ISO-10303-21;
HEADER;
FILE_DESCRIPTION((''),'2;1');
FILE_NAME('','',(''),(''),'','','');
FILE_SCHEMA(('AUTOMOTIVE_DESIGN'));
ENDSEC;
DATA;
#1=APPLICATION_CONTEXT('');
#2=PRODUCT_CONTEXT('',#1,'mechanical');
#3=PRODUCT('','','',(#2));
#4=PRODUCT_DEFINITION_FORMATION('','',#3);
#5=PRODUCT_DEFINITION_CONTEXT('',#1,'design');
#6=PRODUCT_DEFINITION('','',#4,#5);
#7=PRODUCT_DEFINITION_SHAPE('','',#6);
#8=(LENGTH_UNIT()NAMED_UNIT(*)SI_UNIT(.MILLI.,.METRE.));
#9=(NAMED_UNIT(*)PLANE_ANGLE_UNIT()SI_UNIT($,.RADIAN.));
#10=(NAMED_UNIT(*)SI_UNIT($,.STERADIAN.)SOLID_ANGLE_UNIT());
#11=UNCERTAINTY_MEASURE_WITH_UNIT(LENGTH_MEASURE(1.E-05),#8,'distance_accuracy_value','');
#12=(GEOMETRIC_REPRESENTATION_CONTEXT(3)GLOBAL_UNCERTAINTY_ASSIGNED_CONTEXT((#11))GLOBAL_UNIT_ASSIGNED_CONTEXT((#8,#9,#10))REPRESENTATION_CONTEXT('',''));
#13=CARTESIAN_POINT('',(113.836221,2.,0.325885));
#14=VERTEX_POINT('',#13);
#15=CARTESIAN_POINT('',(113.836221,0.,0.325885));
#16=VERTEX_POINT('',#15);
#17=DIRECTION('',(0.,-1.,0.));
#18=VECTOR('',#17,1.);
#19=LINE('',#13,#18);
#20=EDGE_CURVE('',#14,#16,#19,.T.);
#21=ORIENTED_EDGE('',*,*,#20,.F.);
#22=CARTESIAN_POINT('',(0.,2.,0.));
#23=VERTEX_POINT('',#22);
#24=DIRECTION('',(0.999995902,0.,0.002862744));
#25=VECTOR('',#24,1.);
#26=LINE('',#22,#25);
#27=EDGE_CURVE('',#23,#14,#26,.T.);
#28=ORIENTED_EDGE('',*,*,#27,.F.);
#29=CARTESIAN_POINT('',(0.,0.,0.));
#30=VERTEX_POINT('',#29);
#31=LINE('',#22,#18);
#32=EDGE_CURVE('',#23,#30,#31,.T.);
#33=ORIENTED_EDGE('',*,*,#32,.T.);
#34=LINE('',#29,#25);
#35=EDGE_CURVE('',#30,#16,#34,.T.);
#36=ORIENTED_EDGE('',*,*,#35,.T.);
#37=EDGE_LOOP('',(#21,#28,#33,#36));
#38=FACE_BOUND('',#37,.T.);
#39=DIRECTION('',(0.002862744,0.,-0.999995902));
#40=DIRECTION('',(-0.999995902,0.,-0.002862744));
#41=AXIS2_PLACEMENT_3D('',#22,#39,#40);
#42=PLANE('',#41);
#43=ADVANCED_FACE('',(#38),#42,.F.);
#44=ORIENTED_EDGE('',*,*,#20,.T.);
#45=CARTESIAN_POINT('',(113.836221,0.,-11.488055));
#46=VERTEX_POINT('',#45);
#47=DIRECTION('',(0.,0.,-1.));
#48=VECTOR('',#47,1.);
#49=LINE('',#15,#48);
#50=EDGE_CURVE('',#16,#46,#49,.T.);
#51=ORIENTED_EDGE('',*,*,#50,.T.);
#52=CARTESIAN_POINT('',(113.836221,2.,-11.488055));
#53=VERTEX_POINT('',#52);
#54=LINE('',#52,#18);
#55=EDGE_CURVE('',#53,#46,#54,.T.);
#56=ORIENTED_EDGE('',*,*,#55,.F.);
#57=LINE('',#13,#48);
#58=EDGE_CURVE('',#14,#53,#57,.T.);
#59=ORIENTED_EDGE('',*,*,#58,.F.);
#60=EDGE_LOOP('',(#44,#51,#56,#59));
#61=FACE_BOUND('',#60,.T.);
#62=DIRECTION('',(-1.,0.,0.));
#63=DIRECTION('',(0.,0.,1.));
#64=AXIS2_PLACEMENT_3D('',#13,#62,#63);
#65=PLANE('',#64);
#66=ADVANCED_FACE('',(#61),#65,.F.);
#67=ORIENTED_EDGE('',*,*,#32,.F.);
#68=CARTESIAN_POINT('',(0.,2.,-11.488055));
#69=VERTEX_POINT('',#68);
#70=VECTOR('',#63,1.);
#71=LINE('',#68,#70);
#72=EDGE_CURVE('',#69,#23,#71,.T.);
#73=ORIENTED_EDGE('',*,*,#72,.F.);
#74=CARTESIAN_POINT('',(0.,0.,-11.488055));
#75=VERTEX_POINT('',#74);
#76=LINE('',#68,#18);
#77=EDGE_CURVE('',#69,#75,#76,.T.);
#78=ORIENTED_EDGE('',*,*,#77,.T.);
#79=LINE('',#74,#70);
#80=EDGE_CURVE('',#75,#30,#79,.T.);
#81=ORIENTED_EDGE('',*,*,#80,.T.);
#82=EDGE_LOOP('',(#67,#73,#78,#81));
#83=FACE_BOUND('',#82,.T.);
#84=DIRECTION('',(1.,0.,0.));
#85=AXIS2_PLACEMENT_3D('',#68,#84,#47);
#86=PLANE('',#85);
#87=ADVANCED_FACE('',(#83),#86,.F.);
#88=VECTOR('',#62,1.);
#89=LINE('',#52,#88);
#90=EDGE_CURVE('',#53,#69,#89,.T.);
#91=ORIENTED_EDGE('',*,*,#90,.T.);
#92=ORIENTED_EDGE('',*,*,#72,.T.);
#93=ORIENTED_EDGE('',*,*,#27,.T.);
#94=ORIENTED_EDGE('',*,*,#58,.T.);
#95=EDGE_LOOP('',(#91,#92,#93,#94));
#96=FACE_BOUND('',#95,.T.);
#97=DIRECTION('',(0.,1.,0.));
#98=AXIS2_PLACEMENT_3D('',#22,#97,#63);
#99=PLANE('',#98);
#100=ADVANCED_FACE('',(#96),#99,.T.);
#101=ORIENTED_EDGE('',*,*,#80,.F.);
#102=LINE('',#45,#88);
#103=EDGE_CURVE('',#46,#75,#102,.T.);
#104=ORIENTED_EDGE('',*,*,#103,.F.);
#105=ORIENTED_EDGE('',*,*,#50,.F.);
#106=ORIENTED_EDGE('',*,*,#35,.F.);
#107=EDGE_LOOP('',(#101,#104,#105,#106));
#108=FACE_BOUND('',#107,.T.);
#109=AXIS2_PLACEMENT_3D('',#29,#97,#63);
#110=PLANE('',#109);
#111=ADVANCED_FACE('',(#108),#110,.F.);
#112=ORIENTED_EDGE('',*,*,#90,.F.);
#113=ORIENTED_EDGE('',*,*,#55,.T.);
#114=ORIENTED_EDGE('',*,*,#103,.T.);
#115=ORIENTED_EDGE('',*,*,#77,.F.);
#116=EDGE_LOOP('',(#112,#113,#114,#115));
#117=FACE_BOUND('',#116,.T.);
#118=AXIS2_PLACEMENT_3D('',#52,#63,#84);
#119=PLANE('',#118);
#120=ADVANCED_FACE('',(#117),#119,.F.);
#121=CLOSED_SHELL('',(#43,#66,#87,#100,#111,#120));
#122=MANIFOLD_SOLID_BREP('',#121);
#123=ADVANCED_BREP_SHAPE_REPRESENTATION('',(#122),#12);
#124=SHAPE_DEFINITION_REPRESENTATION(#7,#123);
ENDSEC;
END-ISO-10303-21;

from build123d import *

# Parameters (mm, degrees)
BOSS_EXTRU_1_DEPTH = 2


with BuildPart() as part:
    # Esquisse1 → Boss.-Extru.1 (new body)
    with BuildSketch(Plane(origin=(0, 0, 0), x_dir=(1, 0, 0), z_dir=(0, 1, 0))):
        Polygon((113.836220673, -0.325885337), (113.836220673, 11.488054861), (0, 11.488054861), (0, 0), align=None)
    extrude(amount=BOSS_EXTRU_1_DEPTH)


solid = part.part
